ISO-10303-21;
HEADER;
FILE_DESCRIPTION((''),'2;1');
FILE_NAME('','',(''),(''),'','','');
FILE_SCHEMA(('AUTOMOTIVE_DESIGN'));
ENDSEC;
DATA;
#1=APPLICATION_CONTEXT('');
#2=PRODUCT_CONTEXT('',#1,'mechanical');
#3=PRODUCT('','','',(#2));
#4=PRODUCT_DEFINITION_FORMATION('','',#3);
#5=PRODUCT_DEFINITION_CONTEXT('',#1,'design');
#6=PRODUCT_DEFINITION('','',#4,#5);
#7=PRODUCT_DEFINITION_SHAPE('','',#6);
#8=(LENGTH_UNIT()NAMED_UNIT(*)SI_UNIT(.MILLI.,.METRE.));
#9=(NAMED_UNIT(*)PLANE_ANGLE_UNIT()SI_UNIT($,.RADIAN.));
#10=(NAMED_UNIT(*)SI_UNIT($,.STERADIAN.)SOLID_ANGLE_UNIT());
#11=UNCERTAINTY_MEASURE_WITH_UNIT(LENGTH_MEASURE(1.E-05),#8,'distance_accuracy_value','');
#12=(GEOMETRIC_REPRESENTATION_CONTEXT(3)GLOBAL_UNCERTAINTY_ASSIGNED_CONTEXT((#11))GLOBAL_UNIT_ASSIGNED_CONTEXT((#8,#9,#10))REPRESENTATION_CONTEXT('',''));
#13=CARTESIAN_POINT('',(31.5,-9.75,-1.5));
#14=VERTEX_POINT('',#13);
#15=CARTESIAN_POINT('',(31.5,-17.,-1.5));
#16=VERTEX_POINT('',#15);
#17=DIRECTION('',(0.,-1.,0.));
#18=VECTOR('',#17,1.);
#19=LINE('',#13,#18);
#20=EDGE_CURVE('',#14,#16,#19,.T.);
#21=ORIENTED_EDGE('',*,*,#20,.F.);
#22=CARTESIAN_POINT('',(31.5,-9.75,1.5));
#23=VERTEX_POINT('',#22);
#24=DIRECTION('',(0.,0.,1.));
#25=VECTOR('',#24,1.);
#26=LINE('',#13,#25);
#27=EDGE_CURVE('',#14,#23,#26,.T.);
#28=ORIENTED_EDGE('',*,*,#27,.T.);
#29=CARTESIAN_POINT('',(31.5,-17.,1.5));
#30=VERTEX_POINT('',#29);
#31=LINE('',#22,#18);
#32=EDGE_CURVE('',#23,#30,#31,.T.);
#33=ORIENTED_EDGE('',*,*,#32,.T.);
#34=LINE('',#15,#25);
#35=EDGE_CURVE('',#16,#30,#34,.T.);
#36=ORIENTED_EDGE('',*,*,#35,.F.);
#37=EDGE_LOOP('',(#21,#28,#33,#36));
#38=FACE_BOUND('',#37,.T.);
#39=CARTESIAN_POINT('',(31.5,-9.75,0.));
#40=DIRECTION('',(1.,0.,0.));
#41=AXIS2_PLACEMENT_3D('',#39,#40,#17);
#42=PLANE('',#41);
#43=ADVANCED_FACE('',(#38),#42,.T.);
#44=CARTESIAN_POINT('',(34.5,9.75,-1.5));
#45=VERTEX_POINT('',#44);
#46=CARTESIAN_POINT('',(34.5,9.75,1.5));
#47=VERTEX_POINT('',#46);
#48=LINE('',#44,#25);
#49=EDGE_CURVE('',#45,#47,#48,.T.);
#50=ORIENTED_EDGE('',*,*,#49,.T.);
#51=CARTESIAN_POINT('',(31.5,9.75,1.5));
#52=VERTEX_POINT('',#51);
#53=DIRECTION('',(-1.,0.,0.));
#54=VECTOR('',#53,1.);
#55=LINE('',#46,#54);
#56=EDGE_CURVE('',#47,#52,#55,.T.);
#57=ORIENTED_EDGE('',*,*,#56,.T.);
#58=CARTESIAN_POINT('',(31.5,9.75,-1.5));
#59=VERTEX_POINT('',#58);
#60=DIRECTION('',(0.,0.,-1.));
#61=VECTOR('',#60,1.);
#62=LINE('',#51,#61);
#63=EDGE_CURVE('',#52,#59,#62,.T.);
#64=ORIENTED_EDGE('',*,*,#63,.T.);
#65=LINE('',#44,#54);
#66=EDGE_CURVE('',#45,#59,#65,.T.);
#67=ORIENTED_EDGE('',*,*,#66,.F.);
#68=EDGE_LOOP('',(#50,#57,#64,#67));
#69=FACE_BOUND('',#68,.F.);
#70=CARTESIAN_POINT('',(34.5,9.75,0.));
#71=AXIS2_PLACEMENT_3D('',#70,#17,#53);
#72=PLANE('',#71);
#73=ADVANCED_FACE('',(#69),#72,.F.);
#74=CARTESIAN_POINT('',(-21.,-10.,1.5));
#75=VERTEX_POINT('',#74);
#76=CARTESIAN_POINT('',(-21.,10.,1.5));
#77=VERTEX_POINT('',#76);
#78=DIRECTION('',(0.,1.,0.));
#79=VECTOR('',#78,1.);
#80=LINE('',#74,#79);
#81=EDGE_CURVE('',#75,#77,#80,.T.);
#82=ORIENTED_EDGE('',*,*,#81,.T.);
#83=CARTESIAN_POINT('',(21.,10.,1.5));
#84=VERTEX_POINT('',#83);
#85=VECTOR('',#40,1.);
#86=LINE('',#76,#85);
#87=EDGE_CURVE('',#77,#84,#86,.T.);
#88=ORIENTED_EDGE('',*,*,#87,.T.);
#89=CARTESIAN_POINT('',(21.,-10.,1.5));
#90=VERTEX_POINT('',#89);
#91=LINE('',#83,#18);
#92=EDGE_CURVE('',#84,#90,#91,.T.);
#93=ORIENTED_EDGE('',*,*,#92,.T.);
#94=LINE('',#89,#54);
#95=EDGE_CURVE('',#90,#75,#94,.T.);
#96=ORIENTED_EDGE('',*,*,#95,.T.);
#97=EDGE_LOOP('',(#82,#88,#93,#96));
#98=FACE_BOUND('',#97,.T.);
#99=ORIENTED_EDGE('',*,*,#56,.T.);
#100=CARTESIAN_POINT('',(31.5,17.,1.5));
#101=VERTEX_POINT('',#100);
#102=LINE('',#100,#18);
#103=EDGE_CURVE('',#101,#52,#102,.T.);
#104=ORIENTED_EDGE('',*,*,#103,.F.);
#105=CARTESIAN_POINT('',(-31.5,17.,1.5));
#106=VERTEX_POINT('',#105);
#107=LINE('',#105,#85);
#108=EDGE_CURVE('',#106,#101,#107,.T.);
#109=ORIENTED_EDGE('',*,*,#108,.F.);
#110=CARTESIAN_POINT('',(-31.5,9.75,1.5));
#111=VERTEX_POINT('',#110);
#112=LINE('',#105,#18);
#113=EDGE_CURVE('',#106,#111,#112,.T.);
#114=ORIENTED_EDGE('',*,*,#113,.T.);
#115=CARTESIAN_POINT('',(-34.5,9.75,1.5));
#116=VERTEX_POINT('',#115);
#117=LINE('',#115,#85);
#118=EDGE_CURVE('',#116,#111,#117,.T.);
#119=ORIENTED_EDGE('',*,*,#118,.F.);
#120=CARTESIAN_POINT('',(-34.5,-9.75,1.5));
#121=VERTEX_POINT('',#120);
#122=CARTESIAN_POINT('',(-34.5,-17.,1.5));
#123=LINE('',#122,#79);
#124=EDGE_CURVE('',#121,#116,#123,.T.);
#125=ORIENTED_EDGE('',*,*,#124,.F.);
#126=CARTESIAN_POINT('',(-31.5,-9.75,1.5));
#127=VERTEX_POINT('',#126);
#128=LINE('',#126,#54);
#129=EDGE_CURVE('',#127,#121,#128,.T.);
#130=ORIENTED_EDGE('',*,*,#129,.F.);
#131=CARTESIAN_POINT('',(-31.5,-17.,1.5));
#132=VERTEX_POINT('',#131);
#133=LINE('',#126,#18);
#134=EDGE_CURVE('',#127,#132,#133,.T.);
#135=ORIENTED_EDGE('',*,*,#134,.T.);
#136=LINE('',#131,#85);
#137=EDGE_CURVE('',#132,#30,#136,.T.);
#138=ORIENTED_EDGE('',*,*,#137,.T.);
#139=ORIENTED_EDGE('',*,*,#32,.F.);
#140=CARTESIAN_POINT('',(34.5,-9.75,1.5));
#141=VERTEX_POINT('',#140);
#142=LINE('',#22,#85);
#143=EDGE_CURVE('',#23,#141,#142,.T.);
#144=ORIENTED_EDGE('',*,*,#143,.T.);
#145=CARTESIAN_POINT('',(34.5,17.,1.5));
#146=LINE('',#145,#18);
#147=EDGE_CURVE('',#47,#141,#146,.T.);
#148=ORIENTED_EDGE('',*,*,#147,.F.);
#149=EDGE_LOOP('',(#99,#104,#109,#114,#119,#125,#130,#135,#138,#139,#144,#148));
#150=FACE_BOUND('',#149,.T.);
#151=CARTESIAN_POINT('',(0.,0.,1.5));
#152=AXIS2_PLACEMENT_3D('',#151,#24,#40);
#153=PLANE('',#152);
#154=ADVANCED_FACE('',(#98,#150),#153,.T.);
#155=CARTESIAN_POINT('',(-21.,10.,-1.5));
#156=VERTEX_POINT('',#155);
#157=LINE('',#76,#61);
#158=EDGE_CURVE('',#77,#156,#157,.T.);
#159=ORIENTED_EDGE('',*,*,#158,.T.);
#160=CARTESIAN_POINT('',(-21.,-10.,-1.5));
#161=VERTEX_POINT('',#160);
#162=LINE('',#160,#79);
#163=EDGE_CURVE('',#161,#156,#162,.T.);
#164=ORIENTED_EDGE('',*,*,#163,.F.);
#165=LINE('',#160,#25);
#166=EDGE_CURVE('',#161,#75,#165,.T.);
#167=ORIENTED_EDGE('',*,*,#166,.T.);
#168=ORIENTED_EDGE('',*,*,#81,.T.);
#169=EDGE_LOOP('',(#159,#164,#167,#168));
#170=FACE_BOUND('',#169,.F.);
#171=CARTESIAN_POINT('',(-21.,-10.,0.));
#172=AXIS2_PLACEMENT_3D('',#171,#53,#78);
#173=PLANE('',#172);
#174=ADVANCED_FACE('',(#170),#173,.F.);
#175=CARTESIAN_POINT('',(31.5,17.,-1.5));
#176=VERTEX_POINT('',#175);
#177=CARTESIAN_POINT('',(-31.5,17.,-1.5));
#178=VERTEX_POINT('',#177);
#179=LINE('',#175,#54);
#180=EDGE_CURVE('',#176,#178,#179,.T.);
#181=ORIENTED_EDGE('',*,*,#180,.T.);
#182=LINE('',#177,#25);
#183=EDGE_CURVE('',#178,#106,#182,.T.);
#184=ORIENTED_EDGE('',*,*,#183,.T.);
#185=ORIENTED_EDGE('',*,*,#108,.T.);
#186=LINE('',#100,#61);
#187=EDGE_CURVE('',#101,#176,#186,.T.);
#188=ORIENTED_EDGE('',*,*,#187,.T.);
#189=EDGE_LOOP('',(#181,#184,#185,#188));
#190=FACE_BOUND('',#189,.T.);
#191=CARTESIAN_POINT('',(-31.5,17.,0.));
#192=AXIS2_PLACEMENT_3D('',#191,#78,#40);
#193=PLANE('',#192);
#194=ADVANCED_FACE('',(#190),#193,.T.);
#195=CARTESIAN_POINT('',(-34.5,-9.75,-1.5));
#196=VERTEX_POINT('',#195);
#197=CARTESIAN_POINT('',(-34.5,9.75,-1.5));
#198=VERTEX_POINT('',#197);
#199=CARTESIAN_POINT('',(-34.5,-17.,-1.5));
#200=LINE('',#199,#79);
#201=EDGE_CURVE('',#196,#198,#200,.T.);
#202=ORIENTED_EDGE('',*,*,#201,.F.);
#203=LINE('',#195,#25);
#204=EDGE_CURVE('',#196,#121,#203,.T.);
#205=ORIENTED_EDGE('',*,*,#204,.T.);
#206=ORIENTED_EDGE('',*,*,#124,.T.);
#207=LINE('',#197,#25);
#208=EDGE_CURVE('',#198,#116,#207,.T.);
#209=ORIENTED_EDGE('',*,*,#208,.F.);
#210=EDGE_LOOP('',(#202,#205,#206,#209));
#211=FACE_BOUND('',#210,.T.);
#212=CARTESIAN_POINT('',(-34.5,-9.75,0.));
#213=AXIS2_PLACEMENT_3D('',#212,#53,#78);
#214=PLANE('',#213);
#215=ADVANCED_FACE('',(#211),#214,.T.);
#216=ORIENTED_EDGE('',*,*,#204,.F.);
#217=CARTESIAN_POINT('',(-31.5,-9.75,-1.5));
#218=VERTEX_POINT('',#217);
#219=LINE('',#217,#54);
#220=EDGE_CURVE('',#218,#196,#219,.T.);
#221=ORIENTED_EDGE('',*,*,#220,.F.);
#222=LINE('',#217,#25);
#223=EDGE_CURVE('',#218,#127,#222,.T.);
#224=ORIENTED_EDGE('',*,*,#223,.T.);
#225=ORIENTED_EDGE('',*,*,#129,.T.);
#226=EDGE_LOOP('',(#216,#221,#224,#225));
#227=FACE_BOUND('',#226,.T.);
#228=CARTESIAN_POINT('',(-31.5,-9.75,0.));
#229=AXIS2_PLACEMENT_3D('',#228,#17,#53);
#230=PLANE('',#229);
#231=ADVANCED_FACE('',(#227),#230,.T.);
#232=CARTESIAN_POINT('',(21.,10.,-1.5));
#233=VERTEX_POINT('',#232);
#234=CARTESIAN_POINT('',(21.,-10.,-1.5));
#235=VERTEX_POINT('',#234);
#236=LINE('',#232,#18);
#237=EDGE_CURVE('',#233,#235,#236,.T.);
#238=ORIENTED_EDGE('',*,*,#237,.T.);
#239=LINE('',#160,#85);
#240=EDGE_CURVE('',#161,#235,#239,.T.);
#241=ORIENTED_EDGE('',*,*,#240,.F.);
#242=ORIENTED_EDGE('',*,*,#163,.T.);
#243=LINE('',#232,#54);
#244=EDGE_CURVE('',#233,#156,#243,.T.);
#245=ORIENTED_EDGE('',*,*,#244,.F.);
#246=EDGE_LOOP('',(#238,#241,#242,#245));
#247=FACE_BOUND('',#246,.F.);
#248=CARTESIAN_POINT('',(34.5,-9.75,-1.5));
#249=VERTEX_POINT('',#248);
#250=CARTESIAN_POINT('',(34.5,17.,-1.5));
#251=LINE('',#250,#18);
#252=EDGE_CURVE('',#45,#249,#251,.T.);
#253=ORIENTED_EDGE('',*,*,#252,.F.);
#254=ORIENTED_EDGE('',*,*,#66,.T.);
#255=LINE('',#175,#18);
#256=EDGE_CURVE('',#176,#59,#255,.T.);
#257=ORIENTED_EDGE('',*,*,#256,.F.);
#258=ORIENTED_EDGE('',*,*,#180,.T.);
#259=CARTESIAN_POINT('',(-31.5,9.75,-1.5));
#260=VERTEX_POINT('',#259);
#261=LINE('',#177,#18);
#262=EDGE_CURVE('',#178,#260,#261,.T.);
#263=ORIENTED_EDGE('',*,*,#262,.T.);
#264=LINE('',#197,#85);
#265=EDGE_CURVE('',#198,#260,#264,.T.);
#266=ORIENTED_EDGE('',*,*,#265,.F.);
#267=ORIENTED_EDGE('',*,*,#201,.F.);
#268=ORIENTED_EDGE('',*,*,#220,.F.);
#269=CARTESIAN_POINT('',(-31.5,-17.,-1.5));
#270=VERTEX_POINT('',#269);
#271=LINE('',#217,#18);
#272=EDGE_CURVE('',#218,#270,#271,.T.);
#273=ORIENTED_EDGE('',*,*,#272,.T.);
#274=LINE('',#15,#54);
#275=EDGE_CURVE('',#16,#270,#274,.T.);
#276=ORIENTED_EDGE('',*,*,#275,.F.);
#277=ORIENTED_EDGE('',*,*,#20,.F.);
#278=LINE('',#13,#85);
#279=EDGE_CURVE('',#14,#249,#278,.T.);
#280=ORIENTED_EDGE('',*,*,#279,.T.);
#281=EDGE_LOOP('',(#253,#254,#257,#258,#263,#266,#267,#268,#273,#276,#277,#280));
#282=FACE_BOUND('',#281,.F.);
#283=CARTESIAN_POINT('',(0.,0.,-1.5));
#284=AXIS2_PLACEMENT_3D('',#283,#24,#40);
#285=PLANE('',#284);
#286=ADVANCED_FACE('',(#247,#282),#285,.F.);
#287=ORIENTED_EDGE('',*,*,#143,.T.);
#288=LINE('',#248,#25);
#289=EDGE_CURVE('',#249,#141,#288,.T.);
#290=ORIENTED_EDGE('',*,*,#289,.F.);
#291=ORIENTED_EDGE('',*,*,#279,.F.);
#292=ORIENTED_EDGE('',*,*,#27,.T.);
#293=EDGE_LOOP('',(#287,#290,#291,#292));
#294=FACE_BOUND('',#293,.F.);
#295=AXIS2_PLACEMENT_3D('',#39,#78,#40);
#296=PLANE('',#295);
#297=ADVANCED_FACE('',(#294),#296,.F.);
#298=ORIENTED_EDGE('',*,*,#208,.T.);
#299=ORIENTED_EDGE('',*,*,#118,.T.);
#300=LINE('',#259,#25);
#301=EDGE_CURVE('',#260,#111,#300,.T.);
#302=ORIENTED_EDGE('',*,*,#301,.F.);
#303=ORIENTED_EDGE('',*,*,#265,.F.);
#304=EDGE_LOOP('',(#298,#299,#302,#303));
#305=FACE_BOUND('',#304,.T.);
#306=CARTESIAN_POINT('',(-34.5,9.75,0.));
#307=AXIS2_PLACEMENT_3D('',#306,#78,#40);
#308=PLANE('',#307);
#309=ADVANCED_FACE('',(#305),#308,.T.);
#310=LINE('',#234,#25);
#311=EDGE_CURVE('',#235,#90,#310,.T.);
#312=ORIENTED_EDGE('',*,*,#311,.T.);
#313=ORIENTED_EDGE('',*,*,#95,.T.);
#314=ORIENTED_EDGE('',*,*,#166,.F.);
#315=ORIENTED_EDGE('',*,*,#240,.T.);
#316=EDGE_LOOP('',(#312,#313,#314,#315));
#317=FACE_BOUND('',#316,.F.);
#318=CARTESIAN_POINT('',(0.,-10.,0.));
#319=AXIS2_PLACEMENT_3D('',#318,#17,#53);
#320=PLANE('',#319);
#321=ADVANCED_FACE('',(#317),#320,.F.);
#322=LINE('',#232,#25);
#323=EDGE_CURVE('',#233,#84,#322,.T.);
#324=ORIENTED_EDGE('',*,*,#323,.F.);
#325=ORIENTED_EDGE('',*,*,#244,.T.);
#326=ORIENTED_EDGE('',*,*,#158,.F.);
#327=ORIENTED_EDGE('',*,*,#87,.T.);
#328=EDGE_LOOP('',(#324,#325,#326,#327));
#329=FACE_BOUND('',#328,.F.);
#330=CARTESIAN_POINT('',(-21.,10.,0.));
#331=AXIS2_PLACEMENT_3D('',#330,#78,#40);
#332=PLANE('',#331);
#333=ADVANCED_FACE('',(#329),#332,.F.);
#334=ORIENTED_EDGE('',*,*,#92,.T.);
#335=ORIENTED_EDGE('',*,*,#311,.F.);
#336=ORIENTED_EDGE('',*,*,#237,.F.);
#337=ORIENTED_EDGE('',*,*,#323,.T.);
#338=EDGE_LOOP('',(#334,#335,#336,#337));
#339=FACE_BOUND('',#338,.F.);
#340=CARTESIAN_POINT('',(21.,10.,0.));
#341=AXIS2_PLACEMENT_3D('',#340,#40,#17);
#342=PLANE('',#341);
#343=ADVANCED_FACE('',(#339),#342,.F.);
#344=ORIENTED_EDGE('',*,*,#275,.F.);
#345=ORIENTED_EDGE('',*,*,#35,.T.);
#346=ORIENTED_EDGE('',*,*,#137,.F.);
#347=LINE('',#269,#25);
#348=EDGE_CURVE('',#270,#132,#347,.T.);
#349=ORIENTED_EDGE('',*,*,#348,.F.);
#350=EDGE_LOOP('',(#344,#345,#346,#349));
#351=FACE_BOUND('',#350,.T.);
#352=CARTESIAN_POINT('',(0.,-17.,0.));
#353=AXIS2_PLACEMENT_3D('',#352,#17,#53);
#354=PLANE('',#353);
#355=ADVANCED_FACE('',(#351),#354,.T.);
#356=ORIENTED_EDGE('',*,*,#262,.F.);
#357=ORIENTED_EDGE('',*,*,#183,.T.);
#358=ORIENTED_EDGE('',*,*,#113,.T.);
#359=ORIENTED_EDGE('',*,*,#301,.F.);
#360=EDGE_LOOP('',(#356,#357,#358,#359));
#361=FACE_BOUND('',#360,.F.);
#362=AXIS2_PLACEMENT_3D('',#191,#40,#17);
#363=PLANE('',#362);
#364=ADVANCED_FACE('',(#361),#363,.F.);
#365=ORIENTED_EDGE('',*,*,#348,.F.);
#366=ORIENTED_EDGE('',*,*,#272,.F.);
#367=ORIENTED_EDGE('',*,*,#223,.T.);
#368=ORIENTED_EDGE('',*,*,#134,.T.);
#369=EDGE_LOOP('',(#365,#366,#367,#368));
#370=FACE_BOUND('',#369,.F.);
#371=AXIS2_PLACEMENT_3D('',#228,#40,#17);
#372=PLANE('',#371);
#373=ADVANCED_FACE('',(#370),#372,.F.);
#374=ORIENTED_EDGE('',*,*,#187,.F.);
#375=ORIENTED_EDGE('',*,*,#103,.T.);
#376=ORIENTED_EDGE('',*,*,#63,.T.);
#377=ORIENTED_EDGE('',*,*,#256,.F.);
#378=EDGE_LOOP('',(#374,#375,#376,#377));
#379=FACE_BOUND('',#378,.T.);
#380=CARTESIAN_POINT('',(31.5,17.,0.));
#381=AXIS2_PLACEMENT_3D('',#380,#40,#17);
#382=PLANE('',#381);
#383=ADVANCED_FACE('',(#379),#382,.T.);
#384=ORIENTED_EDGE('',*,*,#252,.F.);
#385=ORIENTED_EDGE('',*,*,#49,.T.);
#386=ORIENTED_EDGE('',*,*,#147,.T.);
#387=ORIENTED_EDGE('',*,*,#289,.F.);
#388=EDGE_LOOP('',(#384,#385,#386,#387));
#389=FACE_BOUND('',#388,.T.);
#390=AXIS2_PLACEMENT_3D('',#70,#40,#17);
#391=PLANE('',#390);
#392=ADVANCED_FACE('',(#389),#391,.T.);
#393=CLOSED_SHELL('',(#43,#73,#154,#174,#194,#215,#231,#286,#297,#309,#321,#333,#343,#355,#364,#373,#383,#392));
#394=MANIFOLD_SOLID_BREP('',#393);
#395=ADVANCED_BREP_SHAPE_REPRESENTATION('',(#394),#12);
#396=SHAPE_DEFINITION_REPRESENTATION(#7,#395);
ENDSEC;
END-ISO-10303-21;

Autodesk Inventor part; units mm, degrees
ref_plane "YZ Plane" through (0, 0, 0) normal (1, 0, 0) x (0, 1, 0)
ref_plane "XZ Plane" through (0, 0, 0) normal (0, 1, 0) x (-1, 0, 0)
ref_plane "XY Plane" through (0, 0, 0) normal (0, 0, 1) x (1, 0, 0)
sketch "Sketch1" plane through (0, 0, 0) normal (0, 0, 1) x (1, 0, 0)
  line L0 (-34.5, 17) -> (34.5, 17)
  line L1 (34.5, 17) -> (34.5, -17)
  line L2 (34.5, -17) -> (-34.5, -17)
  line L3 (-34.5, -17) -> (-34.5, 17)
  line L4 (34.5, 9.75) -> (31.5, 9.75)
  line L5 (31.5, 9.75) -> (31.5, -9.75)
  line L6 (31.5, -9.75) -> (34.5, -9.75)
  line L7 (34.5, -9.75) -> (34.5, 9.75)
  line L8 (-21, 10) -> (21, 10)
  line L9 (21, 10) -> (21, -10)
  line L10 (21, -10) -> (-21, -10)
  line L11 (-21, -10) -> (-21, 10)
  line L12 (0, 31.4058) -> (0, -31.4058)
  line L13 (31.5, 17) -> (31.5, 9.75)
  line L14 (31.5, -9.75) -> (31.5, -17)
  line L15 (-34.5, 17) -> (-34.5, -17)
  line L16 (-34.5, 9.75) -> (-31.5, 9.75)
  line L17 (-31.5, 9.75) -> (-31.5, -9.75)
  line L18 (-31.5, -9.75) -> (-34.5, -9.75)
  line L19 (-31.5, 17) -> (-31.5, 9.75)
  line L20 (-31.5, -9.75) -> (-31.5, -17)
  point P0 (0, 0)
  point P1 (34.5, 0)
  point P2 (0, 17)
  point P3 (34.5, 0)
  point P4 (21, 0)
  point P5 (0, 10)
  point P6 (-31, 17)
  point P7 (-31, -17)
  point P8 (31.5, -17)
  point P9 (0, 0)
  dimension "d0" = 34
  dimension "d1" = 19.5
  dimension "d2" = 3
  dimension "d3" = 20
  dimension "d4" = 69
  dimension "d5" = 42
extrude "Extrusion1" add sketch "Sketch1" along normal mid plane 3 contours L0 L12 L8 L11 L10 L2 L20 L17 L19 | L16 L17 L18 L3 | L0 L13 L5 L14 L2 L12 L10 L9 L8 | L4 L1 L6 L5
properties part number "C"
